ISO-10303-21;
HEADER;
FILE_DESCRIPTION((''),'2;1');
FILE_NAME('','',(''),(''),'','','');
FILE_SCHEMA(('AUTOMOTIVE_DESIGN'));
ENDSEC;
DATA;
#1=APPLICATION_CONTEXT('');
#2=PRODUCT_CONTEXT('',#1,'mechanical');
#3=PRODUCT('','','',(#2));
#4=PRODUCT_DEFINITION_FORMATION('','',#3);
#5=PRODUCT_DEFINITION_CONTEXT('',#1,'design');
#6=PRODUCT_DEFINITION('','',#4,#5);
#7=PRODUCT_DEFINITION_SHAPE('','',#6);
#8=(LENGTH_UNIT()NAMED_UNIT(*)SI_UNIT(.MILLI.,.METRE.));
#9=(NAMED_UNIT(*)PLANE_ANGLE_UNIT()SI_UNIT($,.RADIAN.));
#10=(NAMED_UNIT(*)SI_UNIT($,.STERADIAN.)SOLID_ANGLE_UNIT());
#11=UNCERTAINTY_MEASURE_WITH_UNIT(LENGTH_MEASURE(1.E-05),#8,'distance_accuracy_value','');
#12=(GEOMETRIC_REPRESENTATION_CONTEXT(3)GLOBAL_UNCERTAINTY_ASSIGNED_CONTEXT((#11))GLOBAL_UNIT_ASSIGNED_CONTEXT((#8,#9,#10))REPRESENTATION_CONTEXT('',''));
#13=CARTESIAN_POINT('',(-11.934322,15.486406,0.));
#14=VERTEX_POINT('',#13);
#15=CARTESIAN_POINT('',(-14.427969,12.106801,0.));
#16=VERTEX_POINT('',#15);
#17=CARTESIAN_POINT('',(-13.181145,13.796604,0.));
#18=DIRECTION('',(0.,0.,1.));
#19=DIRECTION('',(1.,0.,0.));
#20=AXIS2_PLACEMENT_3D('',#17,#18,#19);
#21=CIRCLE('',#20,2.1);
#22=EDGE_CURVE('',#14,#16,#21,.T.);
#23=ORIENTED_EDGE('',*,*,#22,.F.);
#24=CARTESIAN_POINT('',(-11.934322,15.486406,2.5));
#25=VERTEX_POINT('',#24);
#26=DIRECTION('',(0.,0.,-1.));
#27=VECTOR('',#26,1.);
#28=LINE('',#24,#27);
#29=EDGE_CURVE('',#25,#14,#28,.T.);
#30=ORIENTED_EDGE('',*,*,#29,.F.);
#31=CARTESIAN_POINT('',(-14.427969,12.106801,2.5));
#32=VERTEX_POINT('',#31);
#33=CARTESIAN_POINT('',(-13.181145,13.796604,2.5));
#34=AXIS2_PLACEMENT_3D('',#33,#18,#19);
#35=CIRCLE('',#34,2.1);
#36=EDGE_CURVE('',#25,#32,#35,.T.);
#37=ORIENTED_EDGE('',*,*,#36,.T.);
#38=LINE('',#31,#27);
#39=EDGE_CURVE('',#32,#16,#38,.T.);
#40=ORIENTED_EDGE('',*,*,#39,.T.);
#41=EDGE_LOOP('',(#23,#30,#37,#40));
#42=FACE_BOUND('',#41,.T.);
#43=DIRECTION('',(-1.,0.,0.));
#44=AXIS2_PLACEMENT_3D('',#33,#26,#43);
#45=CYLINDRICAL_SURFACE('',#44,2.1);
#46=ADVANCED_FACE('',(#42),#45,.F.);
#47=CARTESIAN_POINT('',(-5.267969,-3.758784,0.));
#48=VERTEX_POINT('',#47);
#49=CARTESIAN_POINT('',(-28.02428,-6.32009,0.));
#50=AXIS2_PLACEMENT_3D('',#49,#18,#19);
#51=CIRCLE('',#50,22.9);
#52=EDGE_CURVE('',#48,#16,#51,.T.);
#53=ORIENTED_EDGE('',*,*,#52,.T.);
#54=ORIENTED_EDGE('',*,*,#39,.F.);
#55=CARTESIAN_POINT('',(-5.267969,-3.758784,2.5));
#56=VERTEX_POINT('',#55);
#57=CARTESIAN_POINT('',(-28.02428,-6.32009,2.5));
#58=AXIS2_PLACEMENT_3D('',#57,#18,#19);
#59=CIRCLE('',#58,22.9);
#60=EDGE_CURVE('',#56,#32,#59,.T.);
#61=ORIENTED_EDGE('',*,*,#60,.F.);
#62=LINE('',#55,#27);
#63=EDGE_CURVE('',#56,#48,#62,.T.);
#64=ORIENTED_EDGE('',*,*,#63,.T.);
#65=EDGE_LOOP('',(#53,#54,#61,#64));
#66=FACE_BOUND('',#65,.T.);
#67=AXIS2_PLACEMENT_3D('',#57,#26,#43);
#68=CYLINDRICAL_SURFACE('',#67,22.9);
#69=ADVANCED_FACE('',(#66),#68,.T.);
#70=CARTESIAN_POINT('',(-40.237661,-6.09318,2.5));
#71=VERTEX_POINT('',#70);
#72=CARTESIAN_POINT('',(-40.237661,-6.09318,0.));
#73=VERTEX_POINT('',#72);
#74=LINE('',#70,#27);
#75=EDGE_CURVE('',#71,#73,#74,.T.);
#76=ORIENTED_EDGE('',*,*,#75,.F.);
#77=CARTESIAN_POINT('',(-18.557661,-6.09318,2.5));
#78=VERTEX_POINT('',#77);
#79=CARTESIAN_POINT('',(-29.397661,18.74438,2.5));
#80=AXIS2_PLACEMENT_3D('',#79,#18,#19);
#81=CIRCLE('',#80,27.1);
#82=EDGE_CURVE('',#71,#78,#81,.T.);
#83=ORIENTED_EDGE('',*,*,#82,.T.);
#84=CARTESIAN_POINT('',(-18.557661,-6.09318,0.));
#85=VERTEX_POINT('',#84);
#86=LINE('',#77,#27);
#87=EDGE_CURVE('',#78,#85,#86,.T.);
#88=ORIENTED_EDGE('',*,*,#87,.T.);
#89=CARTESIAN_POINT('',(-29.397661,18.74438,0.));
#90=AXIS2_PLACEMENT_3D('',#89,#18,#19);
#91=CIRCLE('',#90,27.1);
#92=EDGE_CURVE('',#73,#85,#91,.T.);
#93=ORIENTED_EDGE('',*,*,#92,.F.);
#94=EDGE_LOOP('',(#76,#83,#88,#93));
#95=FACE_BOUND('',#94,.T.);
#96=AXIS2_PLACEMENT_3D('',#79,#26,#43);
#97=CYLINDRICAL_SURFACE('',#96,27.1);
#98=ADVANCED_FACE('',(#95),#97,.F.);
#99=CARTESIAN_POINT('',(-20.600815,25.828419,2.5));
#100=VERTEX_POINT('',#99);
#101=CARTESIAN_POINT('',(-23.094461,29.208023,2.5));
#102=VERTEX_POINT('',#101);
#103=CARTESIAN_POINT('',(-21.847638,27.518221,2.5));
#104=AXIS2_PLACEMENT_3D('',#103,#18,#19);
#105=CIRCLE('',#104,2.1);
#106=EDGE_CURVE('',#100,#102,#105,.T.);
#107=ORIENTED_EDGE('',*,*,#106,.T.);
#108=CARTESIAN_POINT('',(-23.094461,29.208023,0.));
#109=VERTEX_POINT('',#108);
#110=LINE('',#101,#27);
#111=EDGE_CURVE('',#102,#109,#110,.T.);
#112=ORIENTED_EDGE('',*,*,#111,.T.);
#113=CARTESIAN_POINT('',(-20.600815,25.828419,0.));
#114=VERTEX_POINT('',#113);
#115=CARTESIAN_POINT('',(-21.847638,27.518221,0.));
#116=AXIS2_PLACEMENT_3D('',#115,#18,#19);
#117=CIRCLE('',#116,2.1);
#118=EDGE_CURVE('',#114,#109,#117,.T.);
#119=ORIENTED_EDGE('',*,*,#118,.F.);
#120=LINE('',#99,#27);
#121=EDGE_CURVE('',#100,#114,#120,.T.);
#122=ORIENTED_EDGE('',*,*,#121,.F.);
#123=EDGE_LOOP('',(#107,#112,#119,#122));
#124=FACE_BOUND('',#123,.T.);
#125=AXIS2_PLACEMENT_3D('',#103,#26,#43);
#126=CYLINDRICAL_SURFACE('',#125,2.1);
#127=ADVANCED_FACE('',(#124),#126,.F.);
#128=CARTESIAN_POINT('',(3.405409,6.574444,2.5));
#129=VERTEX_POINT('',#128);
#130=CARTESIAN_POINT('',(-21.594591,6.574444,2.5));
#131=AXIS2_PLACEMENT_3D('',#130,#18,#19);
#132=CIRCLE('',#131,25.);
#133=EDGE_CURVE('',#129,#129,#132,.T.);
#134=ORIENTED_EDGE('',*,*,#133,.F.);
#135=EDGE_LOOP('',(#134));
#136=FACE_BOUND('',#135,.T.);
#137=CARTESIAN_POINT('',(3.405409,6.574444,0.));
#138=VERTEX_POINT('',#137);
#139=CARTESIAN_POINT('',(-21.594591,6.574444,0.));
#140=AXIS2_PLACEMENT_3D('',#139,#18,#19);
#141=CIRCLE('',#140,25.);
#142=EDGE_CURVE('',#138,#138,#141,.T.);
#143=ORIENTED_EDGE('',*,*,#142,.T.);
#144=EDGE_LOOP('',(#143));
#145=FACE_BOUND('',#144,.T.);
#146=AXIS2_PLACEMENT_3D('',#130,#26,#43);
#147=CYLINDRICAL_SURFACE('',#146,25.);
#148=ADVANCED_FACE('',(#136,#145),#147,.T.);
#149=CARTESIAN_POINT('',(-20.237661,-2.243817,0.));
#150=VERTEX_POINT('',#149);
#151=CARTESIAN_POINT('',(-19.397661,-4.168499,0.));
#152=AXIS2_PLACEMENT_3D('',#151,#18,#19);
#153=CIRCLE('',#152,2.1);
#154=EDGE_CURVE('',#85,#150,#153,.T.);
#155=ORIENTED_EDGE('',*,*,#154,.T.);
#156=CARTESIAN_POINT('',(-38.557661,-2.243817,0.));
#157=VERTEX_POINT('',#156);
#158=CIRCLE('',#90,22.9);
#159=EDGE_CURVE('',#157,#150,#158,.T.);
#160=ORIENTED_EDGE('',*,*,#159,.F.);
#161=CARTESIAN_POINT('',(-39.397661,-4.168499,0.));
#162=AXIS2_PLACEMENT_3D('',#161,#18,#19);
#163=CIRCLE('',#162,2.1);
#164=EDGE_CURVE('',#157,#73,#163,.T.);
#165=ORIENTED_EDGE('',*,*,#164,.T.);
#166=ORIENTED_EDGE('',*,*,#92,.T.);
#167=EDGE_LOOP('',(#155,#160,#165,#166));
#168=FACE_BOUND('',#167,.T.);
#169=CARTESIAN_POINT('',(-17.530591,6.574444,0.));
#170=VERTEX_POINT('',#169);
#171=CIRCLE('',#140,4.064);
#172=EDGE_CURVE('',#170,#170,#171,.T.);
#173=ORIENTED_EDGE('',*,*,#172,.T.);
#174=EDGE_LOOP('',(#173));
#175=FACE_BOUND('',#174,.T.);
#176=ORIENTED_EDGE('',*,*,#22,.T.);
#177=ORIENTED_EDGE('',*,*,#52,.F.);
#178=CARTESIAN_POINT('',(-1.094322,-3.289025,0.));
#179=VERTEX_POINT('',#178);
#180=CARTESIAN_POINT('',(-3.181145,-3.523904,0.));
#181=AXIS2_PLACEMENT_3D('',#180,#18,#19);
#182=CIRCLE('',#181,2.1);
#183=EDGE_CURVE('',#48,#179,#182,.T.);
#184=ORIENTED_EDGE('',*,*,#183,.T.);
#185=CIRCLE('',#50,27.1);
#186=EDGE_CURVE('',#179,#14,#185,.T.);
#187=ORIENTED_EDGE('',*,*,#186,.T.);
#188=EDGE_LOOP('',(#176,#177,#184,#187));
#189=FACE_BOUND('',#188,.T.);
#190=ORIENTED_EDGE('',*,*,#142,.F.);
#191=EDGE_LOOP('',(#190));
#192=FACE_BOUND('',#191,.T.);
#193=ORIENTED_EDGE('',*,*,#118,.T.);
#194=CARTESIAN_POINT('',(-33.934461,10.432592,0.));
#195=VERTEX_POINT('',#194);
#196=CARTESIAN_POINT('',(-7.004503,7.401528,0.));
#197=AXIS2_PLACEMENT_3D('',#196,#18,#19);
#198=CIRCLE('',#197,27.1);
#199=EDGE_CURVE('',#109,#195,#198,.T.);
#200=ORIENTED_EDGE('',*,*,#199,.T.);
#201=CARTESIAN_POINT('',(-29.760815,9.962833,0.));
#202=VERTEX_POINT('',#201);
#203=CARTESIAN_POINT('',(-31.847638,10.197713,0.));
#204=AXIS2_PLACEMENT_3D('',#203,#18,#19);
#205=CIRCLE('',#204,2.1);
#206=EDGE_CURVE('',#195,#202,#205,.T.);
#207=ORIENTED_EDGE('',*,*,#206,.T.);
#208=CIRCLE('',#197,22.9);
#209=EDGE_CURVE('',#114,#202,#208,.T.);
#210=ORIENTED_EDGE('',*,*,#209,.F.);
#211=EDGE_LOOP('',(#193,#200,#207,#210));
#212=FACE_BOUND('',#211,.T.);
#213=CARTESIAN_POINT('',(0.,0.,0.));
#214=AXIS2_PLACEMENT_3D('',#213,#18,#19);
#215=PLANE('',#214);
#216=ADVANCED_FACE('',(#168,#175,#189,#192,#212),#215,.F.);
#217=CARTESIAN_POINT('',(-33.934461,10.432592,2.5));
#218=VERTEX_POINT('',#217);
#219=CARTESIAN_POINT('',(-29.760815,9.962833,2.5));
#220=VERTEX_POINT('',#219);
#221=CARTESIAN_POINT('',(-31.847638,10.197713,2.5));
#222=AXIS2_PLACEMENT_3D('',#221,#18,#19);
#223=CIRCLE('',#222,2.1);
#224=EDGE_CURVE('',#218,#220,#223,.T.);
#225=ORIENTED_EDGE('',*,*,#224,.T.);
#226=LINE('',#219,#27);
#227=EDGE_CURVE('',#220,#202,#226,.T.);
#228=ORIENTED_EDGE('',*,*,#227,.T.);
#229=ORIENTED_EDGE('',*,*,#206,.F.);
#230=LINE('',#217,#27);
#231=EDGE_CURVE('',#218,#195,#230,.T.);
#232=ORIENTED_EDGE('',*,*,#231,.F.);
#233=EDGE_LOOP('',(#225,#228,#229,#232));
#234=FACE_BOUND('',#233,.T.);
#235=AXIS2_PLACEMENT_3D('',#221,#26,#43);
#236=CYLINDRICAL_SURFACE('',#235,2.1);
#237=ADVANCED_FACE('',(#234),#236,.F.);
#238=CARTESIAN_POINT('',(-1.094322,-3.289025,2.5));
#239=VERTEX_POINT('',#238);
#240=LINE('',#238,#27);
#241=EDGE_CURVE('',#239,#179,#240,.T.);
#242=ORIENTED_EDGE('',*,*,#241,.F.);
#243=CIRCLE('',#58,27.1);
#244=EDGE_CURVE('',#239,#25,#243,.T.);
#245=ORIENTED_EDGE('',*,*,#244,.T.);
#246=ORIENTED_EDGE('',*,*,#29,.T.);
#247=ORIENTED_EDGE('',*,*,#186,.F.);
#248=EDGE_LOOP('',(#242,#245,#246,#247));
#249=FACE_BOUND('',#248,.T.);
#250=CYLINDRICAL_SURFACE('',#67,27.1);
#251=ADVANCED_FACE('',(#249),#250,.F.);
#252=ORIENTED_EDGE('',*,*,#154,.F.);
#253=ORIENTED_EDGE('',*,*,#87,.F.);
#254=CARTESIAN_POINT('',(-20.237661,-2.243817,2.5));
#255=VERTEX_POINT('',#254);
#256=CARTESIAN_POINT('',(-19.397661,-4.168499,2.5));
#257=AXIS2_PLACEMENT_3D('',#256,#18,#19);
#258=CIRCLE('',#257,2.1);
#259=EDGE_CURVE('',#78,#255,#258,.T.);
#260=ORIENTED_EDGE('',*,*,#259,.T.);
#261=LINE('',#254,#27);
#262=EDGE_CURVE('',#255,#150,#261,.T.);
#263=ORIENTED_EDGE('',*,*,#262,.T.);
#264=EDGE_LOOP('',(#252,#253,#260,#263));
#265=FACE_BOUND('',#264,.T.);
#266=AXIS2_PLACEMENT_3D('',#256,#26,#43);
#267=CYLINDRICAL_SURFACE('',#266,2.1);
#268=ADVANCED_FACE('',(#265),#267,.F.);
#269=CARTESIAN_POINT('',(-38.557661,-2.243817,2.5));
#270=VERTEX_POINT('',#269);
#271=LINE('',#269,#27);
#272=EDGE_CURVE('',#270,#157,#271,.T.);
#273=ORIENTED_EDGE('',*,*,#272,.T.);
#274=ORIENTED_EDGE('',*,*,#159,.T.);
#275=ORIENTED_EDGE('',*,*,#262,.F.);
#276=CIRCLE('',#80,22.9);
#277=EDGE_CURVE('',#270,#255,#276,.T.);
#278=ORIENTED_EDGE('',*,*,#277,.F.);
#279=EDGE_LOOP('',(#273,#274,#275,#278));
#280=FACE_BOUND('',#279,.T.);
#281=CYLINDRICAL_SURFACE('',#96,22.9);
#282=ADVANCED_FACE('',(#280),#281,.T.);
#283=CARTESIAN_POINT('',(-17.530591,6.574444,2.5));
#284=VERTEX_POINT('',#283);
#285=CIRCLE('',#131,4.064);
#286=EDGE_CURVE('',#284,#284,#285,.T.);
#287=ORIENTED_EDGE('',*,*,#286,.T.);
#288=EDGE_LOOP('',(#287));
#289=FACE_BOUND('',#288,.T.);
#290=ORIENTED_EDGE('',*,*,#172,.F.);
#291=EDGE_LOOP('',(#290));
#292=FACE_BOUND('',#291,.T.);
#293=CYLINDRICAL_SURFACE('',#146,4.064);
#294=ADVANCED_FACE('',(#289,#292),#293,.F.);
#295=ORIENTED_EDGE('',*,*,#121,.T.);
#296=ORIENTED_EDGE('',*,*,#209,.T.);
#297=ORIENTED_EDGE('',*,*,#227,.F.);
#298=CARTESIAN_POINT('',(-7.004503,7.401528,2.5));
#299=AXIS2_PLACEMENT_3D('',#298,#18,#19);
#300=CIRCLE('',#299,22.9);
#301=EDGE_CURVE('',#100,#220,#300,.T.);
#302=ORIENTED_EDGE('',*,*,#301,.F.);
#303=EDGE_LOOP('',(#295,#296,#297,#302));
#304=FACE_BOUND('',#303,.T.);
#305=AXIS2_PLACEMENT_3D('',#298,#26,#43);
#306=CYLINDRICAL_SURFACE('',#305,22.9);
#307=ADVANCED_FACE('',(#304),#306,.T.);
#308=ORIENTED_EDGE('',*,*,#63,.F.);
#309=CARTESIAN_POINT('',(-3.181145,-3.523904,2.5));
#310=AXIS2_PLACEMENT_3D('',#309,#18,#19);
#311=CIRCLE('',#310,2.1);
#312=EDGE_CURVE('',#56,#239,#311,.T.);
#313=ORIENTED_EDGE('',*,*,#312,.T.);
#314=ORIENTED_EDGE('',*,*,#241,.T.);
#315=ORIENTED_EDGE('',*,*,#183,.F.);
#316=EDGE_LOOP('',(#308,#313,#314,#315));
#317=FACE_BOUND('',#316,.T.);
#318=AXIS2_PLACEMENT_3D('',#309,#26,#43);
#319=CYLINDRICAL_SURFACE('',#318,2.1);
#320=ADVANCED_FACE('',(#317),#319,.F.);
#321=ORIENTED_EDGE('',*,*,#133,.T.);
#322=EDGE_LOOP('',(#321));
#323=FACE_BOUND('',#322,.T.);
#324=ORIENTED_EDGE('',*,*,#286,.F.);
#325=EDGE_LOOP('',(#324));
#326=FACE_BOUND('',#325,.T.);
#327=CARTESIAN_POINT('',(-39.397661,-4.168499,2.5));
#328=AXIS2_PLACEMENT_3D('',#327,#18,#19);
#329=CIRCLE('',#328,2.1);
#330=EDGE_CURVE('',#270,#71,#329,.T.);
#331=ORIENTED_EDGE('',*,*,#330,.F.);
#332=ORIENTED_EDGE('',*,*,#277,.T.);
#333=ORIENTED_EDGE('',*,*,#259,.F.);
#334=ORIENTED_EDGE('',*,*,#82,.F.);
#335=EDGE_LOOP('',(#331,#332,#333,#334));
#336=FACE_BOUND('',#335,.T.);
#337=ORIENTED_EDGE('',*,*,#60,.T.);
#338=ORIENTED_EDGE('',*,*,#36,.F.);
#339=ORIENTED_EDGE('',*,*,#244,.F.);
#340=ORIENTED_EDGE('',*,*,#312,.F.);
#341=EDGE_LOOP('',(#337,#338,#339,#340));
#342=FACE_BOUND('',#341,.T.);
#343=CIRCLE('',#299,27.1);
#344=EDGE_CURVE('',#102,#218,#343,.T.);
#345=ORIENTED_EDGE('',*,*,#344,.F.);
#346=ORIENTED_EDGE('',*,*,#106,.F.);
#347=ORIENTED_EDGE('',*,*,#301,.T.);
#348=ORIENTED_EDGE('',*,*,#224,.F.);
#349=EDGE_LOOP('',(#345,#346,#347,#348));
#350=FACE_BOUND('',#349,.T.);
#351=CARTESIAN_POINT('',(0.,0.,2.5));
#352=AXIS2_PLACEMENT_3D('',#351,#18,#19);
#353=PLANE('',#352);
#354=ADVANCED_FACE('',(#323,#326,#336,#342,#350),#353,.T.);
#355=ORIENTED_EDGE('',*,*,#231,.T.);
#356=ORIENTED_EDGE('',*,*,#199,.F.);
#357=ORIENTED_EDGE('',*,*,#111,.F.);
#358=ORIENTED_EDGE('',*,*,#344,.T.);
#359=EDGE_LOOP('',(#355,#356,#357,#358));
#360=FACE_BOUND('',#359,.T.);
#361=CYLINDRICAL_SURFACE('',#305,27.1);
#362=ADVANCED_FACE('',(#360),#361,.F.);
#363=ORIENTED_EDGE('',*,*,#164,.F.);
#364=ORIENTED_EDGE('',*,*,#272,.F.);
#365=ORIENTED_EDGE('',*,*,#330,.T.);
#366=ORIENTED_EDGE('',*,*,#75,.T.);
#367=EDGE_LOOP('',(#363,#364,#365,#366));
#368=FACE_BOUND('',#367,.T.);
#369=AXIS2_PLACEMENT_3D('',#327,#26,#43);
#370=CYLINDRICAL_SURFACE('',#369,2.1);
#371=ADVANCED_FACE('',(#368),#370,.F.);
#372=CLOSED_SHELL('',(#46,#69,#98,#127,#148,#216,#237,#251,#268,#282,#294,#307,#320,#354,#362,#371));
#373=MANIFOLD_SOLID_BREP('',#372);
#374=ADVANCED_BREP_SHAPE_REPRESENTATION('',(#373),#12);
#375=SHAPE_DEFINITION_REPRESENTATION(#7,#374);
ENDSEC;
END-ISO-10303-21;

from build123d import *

# Parameters (mm, degrees)
SKETCH1_R           = 25
SKETCH1_R_2         = 4.064
BOSS_EXTRUDE1_DEPTH = 2.5


with BuildPart() as part:
    # Sketch1 → Boss-Extrude1 (new body)
    with BuildSketch(Plane.XY):
        with Locations((-21.594590832, 6.574444403)):
            Circle(SKETCH1_R)
        with Locations((-21.594590832, 6.574444403)):
            Circle(SKETCH1_R_2, mode=Mode.SUBTRACT)
        with BuildLine():
            ThreePointArc((-1.094322082, -3.289024862), (-4.554991799, 7.229910381), (-11.934322082, 15.486405892))
            ThreePointArc((-11.934322082, 15.486405892), (-14.870947643, 15.043426983), (-14.427968734, 12.106801422))
            ThreePointArc((-14.427968734, 12.106801422), (-8.192298494, 5.129910381), (-5.267968734, -3.758783976))
            ThreePointArc((-5.267968734, -3.758783976), (-2.946265851, -5.610727745), (-1.094322082, -3.289024862))
        make_face(mode=Mode.SUBTRACT)
        with BuildLine():
            ThreePointArc((-40.23766089, -6.093180307), (-29.39766089, -8.35562004), (-18.55766089, -6.093180307))
            ThreePointArc((-18.55766089, -6.093180307), (-17.472979098, -3.328498515), (-20.23766089, -2.243816723))
            ThreePointArc((-20.23766089, -2.243816723), (-29.39766089, -4.15562004), (-38.55766089, -2.243816723))
            ThreePointArc((-38.55766089, -2.243816723), (-41.322342681, -3.328498515), (-40.23766089, -6.093180307))
        make_face(mode=Mode.SUBTRACT)
        with BuildLine():
            ThreePointArc((-33.934461337, 10.432592457), (-32.082517568, 8.110889575), (-29.760814685, 9.962833344))
            ThreePointArc((-29.760814685, 9.962833344), (-26.836484925, 18.851527701), (-20.600814685, 25.828418741))
            ThreePointArc((-20.600814685, 25.828418741), (-20.157835776, 28.765044302), (-23.094461337, 29.208023212))
            ThreePointArc((-23.094461337, 29.208023212), (-30.473791621, 20.951527701), (-33.934461337, 10.432592457))
        make_face(mode=Mode.SUBTRACT)
    extrude(amount=BOSS_EXTRUDE1_DEPTH)


solid = part.part
